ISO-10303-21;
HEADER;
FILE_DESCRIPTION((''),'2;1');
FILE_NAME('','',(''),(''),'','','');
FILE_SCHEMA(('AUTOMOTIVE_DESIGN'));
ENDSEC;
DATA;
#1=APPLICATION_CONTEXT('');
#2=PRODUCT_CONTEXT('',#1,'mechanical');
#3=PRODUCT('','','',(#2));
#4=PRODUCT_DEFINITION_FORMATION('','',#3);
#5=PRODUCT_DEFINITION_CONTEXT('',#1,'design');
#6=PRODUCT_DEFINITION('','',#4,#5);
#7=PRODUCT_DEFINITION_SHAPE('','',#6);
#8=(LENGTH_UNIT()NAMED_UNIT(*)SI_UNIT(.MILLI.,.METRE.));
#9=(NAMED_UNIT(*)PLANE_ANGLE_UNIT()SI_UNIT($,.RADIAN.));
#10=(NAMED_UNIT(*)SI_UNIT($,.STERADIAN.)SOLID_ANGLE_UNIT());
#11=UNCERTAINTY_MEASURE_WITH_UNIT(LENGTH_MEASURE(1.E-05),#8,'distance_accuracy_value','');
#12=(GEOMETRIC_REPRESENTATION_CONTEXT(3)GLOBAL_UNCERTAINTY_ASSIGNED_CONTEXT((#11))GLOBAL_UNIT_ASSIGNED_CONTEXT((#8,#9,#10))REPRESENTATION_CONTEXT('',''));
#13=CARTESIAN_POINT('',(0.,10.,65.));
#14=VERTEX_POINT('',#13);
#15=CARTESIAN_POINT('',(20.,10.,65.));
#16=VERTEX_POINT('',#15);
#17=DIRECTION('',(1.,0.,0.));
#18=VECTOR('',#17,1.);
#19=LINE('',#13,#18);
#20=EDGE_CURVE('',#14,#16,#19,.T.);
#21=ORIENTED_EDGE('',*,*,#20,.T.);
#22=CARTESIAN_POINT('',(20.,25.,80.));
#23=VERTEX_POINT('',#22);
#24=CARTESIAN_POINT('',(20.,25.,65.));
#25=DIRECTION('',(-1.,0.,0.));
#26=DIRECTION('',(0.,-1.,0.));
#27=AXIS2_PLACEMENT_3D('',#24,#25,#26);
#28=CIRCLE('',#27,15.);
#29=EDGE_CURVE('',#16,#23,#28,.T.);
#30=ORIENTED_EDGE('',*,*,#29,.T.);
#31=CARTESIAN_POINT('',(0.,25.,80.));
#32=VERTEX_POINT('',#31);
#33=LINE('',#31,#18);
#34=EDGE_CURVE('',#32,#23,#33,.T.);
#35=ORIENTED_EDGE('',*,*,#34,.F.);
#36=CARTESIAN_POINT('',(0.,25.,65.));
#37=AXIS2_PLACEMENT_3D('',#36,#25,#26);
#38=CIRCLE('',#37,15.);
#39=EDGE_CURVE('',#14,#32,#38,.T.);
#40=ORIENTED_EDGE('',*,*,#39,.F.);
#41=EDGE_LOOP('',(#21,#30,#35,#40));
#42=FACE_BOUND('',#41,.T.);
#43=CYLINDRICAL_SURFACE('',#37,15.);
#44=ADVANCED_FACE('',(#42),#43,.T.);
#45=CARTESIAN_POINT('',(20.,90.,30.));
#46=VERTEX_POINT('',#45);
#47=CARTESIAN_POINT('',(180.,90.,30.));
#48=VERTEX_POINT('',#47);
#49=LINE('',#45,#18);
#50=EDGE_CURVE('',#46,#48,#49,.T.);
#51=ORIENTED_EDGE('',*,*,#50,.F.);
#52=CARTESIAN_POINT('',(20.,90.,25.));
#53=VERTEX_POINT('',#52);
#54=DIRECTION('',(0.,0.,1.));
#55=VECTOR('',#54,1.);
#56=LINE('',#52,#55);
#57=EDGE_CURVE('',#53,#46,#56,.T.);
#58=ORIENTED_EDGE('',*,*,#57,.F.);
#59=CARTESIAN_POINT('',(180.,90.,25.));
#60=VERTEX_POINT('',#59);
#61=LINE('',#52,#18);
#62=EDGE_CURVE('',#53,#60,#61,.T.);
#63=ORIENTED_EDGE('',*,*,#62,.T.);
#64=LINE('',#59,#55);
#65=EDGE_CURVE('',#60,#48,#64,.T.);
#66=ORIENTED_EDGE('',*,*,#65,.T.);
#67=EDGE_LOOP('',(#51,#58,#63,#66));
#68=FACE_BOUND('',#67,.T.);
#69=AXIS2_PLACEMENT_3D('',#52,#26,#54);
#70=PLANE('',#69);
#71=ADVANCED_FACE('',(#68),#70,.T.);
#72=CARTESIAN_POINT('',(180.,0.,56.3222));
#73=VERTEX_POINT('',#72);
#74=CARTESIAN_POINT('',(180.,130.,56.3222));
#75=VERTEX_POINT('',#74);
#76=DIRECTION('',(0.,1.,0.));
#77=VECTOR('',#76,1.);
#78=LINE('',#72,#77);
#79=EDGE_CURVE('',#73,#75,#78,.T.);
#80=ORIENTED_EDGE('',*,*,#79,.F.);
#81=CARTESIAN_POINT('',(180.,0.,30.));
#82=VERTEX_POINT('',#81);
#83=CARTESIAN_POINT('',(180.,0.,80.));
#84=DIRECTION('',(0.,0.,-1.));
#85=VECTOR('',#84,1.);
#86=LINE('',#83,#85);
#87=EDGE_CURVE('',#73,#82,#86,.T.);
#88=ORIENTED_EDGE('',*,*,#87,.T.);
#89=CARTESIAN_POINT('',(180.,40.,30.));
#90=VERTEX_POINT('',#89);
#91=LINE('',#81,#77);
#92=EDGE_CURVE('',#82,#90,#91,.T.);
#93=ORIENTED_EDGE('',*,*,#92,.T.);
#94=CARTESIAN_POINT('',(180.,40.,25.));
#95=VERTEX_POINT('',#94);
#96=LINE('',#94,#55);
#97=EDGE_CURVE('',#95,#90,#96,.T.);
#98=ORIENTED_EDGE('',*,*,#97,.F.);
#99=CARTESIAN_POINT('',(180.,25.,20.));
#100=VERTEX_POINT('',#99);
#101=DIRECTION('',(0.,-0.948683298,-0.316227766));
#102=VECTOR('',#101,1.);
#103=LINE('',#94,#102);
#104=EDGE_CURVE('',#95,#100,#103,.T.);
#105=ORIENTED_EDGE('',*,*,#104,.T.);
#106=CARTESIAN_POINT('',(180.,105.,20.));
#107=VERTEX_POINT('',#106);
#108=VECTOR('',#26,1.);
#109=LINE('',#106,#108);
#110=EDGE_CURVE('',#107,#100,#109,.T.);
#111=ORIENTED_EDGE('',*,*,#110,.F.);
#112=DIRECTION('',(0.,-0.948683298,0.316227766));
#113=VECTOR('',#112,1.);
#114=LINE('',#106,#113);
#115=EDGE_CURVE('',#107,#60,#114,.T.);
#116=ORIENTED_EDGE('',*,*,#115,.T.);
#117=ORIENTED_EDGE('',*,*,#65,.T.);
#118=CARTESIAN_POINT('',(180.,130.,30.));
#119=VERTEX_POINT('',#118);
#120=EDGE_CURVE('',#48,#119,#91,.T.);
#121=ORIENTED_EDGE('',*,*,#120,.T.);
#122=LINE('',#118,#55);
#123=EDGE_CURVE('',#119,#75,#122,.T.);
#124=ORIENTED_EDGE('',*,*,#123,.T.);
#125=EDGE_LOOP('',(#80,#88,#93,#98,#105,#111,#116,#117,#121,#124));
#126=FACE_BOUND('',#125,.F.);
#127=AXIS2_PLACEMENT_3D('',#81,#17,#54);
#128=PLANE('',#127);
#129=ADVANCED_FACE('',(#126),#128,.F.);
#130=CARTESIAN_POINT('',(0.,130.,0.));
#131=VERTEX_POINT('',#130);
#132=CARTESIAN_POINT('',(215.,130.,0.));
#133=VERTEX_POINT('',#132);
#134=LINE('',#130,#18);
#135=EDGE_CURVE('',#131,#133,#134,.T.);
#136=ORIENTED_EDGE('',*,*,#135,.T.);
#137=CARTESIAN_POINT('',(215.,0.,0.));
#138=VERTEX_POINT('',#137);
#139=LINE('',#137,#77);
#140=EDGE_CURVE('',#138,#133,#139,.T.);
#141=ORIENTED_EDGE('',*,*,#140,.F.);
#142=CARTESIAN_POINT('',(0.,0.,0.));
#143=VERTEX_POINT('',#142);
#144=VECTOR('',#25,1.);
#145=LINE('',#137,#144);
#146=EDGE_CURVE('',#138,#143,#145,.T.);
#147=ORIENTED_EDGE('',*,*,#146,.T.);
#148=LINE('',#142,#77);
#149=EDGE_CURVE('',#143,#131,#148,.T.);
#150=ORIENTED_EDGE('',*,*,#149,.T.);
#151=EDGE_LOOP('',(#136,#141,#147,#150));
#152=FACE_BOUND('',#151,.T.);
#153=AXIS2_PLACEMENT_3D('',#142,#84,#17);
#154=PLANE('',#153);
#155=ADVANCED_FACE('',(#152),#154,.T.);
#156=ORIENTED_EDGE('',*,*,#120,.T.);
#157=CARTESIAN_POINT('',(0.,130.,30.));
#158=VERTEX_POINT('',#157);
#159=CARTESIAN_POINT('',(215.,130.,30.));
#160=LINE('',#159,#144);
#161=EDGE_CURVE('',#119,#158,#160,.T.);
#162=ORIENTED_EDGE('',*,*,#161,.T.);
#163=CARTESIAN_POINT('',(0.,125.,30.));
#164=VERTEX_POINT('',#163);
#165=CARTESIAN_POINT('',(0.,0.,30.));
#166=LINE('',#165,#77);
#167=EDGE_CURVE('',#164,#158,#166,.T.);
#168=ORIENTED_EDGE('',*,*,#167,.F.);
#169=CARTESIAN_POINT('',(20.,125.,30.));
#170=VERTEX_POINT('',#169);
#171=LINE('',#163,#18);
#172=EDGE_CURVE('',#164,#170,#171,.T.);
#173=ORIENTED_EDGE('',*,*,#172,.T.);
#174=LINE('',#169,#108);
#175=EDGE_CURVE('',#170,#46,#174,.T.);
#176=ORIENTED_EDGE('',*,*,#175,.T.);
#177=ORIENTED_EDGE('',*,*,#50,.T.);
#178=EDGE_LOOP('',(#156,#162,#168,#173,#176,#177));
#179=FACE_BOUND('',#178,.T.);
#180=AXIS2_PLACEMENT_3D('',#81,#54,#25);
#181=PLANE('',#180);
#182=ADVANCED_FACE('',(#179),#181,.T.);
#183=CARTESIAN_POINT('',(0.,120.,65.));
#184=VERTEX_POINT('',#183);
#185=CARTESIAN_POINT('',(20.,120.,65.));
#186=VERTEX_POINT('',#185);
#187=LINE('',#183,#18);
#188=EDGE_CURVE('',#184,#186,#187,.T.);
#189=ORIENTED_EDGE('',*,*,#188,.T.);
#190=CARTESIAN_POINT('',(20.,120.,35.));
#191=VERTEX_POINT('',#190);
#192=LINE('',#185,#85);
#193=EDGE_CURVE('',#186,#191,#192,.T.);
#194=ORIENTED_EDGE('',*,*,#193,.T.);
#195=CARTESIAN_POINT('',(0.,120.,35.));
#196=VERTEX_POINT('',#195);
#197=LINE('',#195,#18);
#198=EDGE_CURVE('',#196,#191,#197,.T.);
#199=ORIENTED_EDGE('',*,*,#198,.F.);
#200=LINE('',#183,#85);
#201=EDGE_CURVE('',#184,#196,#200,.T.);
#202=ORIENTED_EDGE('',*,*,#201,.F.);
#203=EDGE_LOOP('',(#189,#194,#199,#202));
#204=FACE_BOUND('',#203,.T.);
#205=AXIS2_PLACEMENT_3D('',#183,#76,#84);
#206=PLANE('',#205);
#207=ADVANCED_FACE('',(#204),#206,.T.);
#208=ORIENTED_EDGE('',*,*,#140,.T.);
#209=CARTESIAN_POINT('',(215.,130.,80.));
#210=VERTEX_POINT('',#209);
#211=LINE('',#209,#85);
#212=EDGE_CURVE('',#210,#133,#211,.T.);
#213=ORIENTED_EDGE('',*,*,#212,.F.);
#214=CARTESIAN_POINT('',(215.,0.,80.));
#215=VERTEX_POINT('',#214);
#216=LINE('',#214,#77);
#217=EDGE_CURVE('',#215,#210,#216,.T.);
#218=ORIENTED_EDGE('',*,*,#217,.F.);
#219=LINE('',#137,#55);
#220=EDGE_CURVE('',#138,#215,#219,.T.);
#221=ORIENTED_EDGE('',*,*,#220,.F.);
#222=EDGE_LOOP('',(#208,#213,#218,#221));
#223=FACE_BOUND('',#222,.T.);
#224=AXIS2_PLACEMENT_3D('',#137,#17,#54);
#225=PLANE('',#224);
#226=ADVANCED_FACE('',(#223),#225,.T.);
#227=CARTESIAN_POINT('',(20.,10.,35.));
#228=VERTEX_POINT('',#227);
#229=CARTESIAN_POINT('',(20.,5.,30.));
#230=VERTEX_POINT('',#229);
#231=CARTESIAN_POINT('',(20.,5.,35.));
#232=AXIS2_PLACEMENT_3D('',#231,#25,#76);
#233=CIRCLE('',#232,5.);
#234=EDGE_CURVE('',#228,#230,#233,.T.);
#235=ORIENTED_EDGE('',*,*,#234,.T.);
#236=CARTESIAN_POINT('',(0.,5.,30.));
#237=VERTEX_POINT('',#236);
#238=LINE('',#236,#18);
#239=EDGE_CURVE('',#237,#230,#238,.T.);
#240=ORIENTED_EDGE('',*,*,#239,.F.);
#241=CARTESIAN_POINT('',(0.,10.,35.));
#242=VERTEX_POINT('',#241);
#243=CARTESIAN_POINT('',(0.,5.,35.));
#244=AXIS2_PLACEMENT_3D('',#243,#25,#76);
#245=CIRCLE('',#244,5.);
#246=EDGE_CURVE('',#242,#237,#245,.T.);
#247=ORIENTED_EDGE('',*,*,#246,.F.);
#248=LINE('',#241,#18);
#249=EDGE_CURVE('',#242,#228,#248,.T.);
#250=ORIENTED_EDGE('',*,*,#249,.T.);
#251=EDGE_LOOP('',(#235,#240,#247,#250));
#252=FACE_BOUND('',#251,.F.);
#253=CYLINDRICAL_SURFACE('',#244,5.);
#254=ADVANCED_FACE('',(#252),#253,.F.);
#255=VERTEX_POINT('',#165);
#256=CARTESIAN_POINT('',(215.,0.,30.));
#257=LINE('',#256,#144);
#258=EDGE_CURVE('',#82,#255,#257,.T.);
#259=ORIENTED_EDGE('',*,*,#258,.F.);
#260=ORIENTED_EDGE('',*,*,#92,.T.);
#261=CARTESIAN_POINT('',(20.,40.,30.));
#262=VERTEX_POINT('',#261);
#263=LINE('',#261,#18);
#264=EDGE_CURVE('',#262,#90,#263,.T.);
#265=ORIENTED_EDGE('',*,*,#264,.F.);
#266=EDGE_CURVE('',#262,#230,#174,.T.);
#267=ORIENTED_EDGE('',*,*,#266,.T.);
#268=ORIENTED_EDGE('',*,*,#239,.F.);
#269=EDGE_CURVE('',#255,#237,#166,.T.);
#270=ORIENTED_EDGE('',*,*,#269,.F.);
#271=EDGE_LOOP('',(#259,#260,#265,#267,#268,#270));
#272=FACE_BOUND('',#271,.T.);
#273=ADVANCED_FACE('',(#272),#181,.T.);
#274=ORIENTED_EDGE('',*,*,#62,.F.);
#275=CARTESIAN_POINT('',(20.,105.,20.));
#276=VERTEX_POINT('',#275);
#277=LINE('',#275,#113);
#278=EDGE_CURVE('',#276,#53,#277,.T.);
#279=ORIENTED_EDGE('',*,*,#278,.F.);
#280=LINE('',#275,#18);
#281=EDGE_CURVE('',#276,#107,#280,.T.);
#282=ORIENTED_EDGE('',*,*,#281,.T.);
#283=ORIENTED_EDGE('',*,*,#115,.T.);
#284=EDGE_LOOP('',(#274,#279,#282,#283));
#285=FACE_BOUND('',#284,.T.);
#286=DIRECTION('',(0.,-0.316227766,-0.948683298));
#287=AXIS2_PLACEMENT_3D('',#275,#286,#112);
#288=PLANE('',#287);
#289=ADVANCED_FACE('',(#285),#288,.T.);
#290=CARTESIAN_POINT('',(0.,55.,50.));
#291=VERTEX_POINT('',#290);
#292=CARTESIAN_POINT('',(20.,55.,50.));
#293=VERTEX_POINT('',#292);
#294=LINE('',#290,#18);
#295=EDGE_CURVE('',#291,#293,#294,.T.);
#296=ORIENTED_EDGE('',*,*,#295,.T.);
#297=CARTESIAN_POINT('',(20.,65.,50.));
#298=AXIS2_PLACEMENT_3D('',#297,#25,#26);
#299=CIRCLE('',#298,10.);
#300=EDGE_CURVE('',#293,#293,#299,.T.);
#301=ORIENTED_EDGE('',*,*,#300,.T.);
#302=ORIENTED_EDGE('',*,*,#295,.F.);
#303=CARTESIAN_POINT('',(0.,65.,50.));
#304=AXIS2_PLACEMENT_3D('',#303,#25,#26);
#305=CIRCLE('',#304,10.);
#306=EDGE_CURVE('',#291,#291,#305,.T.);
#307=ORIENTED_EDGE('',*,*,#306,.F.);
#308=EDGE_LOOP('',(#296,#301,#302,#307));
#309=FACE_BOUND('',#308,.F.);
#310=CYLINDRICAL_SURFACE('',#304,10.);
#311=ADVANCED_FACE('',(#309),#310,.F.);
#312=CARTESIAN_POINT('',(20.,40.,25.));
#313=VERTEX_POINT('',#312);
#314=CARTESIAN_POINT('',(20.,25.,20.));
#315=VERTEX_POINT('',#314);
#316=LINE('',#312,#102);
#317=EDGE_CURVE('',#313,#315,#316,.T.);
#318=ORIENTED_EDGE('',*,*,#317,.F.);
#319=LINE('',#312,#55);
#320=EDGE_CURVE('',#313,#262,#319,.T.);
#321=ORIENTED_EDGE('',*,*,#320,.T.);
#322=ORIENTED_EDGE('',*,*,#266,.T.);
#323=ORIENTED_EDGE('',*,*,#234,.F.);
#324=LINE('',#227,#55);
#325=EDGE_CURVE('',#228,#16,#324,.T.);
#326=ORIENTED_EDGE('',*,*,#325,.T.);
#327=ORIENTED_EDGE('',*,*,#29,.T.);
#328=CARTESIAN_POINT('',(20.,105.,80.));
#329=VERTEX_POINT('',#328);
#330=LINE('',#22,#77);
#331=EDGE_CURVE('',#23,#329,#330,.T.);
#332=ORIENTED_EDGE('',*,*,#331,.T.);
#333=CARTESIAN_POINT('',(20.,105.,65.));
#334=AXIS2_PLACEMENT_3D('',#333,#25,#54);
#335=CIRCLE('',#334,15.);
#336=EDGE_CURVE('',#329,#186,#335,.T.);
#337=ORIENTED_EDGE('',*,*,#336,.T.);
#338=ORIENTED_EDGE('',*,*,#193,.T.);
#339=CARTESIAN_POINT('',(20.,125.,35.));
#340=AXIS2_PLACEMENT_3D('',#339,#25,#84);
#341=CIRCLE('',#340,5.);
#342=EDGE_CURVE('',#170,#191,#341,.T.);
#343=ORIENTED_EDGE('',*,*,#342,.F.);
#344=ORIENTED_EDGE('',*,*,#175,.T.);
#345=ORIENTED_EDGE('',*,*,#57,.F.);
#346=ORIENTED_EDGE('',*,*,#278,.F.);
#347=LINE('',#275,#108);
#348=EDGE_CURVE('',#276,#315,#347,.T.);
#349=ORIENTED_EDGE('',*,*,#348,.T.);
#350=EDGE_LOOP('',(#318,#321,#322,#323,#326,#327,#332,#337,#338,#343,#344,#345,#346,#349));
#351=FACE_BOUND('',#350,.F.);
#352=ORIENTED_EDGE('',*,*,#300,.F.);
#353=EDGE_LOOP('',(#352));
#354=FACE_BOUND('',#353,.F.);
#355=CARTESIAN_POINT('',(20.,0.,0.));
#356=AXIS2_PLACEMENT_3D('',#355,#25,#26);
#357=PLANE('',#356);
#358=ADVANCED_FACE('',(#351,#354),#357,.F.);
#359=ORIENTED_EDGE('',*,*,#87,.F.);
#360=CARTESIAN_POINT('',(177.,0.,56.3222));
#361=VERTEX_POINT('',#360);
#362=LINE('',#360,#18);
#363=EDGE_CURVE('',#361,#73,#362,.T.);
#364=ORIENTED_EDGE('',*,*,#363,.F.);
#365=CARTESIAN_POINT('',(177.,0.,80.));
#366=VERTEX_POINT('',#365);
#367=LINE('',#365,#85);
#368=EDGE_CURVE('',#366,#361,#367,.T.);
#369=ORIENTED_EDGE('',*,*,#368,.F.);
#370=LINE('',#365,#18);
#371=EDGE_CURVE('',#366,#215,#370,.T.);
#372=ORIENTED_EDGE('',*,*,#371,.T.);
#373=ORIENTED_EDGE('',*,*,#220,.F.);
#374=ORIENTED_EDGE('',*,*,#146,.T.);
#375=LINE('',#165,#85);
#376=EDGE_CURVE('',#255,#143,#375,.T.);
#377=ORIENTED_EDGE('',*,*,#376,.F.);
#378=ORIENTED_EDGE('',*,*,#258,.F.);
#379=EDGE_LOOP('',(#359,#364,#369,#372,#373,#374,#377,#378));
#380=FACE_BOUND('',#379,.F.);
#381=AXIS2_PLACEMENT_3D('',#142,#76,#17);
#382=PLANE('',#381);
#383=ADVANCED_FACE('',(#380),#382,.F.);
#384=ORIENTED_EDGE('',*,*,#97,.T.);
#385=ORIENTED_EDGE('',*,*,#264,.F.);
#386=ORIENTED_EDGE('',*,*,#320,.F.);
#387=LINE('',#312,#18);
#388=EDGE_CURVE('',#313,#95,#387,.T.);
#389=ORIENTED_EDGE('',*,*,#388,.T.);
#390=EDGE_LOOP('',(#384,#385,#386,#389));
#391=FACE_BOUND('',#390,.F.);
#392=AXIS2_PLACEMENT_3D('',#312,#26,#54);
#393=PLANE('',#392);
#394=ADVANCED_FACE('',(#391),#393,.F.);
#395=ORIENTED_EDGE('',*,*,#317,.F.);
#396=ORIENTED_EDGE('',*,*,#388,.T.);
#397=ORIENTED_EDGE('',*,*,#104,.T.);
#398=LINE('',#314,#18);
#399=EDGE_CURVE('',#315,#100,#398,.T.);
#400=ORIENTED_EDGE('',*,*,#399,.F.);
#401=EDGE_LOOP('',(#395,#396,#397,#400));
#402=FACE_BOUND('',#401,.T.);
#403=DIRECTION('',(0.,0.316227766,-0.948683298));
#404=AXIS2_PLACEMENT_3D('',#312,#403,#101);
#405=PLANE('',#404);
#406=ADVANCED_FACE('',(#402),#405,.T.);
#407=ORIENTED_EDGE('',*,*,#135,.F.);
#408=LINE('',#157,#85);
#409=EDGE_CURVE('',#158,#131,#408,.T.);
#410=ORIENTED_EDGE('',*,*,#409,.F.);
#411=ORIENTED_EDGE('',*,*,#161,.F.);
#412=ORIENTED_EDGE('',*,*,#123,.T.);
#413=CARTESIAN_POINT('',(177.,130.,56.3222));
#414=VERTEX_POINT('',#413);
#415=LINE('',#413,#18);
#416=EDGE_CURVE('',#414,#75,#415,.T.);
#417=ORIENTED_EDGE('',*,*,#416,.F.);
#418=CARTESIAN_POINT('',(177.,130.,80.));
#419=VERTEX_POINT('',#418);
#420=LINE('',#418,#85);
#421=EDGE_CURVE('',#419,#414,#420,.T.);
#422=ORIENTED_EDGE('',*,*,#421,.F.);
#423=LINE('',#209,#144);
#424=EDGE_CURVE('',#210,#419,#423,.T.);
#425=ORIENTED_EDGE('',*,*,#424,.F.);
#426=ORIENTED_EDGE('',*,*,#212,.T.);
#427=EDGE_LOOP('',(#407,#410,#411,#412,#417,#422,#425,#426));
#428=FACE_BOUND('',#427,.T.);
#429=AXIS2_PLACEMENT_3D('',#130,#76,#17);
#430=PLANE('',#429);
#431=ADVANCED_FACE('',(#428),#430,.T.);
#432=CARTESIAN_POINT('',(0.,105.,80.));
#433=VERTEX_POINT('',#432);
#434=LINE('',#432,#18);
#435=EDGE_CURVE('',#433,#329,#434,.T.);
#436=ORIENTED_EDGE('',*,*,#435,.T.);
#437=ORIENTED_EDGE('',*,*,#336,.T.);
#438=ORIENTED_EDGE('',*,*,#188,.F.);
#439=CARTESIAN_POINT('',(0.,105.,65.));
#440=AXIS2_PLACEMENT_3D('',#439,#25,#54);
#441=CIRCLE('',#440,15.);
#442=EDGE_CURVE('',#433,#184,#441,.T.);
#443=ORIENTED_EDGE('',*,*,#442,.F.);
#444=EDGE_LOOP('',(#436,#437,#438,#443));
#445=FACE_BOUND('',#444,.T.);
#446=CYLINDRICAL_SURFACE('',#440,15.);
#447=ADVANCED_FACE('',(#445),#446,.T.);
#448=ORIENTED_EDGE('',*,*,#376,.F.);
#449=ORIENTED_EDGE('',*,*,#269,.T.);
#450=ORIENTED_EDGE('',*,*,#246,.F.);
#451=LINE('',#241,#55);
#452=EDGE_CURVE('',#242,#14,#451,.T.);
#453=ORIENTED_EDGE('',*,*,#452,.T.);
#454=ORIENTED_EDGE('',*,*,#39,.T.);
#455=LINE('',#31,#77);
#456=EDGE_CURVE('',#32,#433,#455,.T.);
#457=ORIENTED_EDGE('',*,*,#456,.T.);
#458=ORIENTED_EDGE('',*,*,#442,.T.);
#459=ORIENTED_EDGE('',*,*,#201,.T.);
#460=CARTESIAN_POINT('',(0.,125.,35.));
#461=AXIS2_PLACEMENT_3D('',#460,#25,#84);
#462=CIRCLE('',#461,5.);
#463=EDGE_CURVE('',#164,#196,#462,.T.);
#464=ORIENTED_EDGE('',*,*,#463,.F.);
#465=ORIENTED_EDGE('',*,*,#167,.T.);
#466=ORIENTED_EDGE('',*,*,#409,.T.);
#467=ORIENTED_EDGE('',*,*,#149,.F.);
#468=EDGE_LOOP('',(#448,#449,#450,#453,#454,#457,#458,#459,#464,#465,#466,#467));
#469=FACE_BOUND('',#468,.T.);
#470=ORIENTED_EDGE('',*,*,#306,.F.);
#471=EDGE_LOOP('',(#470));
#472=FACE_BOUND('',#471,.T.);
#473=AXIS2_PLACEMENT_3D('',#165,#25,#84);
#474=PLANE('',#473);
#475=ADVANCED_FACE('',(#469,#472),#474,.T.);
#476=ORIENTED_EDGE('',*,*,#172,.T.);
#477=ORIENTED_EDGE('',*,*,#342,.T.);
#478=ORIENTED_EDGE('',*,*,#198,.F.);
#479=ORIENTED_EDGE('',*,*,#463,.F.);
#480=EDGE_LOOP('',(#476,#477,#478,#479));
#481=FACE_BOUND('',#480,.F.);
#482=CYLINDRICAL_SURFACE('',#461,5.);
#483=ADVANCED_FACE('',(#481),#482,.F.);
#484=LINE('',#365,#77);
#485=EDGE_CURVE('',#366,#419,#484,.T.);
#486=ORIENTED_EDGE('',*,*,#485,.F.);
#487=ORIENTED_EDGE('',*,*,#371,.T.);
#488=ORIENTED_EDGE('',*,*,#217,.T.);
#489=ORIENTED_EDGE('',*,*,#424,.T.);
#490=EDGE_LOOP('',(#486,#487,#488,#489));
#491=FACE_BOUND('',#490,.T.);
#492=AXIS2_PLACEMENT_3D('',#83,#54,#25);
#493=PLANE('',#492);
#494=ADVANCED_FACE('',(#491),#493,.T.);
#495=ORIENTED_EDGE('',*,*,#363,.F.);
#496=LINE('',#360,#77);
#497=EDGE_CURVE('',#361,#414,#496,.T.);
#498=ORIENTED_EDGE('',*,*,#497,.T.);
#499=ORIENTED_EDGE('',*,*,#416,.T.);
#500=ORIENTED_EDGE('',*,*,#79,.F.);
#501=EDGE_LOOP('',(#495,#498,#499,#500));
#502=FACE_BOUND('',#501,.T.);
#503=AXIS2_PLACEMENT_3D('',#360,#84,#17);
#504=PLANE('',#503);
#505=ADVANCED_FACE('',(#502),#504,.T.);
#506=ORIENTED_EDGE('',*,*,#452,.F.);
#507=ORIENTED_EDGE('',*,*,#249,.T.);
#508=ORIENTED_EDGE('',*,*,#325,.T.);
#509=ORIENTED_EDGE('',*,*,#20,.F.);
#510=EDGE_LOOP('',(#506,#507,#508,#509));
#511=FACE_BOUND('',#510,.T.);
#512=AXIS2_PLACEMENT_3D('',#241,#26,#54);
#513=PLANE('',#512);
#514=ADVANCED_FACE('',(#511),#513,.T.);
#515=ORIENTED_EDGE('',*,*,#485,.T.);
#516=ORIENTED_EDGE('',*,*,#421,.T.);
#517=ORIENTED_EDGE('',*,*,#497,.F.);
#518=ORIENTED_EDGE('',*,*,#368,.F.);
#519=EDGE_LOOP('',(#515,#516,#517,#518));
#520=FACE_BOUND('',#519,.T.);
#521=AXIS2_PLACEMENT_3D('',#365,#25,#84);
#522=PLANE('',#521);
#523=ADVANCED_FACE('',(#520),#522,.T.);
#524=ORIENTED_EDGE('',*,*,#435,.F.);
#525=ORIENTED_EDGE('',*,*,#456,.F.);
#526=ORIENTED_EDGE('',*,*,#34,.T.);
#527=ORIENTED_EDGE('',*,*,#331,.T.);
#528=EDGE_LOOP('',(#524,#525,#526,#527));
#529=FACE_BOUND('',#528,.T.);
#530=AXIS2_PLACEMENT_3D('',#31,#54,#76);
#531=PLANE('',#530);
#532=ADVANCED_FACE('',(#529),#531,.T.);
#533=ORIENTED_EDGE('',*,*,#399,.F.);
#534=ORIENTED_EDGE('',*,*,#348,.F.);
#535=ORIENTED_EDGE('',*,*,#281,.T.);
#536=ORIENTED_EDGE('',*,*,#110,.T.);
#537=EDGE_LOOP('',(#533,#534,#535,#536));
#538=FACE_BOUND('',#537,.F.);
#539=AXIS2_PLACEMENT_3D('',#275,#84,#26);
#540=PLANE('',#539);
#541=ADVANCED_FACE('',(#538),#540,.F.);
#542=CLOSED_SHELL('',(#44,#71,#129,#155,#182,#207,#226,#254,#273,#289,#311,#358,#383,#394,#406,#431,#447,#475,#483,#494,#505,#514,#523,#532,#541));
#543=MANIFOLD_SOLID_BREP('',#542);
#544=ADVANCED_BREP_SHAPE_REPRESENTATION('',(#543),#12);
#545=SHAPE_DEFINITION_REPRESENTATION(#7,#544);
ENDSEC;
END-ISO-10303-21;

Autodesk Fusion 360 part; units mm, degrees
sketch "Sketch1" plane through (0, 0, 0) normal (0, 1, 0) x (1, 0, 0)
  line L0 (0, 0) -> (215, 0)
  line L1 (215, 0) -> (215, -30)
  line L2 (215, -30) -> (0, -30)
  line L3 (0, -30) -> (0, 0)
  line L4 (215, 0) -> (180, 0)
  line L5 (180, 0) -> (180, -80)
  line L6 (180, -80) -> (215, -80)
  line L7 (215, -80) -> (215, 0)
  line L8 (180, -80) -> (177, -80)
  line L9 (177, -80) -> (177, -56.3222)
  line L10 (177, -56.3222) -> (180, -56.3222)
  line L11 (180, -56.3222) -> (180, -80)
  dimension "d1" = 215
  dimension "d2" = 30
  dimension "d3" = 35
  dimension "d4" = 80
  dimension "d21" = 3
  dimension "d22" = 23.6778
extrude "Extrude1" add sketch "Sketch1" along normal blind 130 contours L0 L2 L3 L5 | L0 L1 L2 L4 L5 L7 | L2 L5 L6 L7 L11
sketch "Sketch2" plane through (0, 0, 0) normal (-1, 0, 0) x (0, -1, 0)
  line L0 (0, 0) -> (0, 30)
  line L1 (0, 30) -> (-130, 30)
  line L2 (-130, 30) -> (-130, 0)
  line L3 (-130, 0) -> (0, 0)
  line L4 (-10, 35) -> (-10, 65)
  line L5 (-25, 80) -> (-105, 80)
  line L6 (-120, 65) -> (-120, 35)
  line L7 (0, 80) -> (-130, 80)
  arc A0 (-105, 80) -> (-120, 65) centre (-105, 65) ccw
  arc A1 (-10, 65) -> (-25, 80) centre (-25, 65) ccw
  line L8 (-130, 30) -> (-125, 30)
  line L9 (-5, 30) -> (0, 30)
  arc A2 (-125, 30) -> (-120, 35) centre (-125, 35) ccw
  arc A3 (-10, 35) -> (-5, 30) centre (-5, 35) ccw
  circle A4 centre (-65, 50) radius 10
  line L10 (-105, 20) -> (-25, 20)
  line L11 (-105, 20) -> (-90, 25)
  line L12 (-40, 25) -> (-25, 20)
  line L13 (-90, 25) -> (-90, 30)
  line L14 (-40, 25) -> (-40, 30)
  point P0 (-10, 80)
  point P1 (-120, 80)
  dimension "d7" = 110
  dimension "d8" = 15
  dimension "d9" = 5
  dimension "d10" = 20
  dimension "d13" = 80
  dimension "d14" = 5
  dimension "d15" = 5
  dimension "d16" = 25
  dimension "d17" = 50
extrude "Extrude2" add sketch "Sketch2" against normal blind 20 contours L1 L4 L5 L6 L7 A0 A1 A2 A3
extrude "Extrude3" cut sketch "Sketch2" against normal up to surface (160 mm away) from surface at -20 contours L1 L10 L11 L12 L13 L14
extrude "Extrude4" add sketch "Sketch1" along normal blind 130 contours L5 L8 L9 L10 L11
